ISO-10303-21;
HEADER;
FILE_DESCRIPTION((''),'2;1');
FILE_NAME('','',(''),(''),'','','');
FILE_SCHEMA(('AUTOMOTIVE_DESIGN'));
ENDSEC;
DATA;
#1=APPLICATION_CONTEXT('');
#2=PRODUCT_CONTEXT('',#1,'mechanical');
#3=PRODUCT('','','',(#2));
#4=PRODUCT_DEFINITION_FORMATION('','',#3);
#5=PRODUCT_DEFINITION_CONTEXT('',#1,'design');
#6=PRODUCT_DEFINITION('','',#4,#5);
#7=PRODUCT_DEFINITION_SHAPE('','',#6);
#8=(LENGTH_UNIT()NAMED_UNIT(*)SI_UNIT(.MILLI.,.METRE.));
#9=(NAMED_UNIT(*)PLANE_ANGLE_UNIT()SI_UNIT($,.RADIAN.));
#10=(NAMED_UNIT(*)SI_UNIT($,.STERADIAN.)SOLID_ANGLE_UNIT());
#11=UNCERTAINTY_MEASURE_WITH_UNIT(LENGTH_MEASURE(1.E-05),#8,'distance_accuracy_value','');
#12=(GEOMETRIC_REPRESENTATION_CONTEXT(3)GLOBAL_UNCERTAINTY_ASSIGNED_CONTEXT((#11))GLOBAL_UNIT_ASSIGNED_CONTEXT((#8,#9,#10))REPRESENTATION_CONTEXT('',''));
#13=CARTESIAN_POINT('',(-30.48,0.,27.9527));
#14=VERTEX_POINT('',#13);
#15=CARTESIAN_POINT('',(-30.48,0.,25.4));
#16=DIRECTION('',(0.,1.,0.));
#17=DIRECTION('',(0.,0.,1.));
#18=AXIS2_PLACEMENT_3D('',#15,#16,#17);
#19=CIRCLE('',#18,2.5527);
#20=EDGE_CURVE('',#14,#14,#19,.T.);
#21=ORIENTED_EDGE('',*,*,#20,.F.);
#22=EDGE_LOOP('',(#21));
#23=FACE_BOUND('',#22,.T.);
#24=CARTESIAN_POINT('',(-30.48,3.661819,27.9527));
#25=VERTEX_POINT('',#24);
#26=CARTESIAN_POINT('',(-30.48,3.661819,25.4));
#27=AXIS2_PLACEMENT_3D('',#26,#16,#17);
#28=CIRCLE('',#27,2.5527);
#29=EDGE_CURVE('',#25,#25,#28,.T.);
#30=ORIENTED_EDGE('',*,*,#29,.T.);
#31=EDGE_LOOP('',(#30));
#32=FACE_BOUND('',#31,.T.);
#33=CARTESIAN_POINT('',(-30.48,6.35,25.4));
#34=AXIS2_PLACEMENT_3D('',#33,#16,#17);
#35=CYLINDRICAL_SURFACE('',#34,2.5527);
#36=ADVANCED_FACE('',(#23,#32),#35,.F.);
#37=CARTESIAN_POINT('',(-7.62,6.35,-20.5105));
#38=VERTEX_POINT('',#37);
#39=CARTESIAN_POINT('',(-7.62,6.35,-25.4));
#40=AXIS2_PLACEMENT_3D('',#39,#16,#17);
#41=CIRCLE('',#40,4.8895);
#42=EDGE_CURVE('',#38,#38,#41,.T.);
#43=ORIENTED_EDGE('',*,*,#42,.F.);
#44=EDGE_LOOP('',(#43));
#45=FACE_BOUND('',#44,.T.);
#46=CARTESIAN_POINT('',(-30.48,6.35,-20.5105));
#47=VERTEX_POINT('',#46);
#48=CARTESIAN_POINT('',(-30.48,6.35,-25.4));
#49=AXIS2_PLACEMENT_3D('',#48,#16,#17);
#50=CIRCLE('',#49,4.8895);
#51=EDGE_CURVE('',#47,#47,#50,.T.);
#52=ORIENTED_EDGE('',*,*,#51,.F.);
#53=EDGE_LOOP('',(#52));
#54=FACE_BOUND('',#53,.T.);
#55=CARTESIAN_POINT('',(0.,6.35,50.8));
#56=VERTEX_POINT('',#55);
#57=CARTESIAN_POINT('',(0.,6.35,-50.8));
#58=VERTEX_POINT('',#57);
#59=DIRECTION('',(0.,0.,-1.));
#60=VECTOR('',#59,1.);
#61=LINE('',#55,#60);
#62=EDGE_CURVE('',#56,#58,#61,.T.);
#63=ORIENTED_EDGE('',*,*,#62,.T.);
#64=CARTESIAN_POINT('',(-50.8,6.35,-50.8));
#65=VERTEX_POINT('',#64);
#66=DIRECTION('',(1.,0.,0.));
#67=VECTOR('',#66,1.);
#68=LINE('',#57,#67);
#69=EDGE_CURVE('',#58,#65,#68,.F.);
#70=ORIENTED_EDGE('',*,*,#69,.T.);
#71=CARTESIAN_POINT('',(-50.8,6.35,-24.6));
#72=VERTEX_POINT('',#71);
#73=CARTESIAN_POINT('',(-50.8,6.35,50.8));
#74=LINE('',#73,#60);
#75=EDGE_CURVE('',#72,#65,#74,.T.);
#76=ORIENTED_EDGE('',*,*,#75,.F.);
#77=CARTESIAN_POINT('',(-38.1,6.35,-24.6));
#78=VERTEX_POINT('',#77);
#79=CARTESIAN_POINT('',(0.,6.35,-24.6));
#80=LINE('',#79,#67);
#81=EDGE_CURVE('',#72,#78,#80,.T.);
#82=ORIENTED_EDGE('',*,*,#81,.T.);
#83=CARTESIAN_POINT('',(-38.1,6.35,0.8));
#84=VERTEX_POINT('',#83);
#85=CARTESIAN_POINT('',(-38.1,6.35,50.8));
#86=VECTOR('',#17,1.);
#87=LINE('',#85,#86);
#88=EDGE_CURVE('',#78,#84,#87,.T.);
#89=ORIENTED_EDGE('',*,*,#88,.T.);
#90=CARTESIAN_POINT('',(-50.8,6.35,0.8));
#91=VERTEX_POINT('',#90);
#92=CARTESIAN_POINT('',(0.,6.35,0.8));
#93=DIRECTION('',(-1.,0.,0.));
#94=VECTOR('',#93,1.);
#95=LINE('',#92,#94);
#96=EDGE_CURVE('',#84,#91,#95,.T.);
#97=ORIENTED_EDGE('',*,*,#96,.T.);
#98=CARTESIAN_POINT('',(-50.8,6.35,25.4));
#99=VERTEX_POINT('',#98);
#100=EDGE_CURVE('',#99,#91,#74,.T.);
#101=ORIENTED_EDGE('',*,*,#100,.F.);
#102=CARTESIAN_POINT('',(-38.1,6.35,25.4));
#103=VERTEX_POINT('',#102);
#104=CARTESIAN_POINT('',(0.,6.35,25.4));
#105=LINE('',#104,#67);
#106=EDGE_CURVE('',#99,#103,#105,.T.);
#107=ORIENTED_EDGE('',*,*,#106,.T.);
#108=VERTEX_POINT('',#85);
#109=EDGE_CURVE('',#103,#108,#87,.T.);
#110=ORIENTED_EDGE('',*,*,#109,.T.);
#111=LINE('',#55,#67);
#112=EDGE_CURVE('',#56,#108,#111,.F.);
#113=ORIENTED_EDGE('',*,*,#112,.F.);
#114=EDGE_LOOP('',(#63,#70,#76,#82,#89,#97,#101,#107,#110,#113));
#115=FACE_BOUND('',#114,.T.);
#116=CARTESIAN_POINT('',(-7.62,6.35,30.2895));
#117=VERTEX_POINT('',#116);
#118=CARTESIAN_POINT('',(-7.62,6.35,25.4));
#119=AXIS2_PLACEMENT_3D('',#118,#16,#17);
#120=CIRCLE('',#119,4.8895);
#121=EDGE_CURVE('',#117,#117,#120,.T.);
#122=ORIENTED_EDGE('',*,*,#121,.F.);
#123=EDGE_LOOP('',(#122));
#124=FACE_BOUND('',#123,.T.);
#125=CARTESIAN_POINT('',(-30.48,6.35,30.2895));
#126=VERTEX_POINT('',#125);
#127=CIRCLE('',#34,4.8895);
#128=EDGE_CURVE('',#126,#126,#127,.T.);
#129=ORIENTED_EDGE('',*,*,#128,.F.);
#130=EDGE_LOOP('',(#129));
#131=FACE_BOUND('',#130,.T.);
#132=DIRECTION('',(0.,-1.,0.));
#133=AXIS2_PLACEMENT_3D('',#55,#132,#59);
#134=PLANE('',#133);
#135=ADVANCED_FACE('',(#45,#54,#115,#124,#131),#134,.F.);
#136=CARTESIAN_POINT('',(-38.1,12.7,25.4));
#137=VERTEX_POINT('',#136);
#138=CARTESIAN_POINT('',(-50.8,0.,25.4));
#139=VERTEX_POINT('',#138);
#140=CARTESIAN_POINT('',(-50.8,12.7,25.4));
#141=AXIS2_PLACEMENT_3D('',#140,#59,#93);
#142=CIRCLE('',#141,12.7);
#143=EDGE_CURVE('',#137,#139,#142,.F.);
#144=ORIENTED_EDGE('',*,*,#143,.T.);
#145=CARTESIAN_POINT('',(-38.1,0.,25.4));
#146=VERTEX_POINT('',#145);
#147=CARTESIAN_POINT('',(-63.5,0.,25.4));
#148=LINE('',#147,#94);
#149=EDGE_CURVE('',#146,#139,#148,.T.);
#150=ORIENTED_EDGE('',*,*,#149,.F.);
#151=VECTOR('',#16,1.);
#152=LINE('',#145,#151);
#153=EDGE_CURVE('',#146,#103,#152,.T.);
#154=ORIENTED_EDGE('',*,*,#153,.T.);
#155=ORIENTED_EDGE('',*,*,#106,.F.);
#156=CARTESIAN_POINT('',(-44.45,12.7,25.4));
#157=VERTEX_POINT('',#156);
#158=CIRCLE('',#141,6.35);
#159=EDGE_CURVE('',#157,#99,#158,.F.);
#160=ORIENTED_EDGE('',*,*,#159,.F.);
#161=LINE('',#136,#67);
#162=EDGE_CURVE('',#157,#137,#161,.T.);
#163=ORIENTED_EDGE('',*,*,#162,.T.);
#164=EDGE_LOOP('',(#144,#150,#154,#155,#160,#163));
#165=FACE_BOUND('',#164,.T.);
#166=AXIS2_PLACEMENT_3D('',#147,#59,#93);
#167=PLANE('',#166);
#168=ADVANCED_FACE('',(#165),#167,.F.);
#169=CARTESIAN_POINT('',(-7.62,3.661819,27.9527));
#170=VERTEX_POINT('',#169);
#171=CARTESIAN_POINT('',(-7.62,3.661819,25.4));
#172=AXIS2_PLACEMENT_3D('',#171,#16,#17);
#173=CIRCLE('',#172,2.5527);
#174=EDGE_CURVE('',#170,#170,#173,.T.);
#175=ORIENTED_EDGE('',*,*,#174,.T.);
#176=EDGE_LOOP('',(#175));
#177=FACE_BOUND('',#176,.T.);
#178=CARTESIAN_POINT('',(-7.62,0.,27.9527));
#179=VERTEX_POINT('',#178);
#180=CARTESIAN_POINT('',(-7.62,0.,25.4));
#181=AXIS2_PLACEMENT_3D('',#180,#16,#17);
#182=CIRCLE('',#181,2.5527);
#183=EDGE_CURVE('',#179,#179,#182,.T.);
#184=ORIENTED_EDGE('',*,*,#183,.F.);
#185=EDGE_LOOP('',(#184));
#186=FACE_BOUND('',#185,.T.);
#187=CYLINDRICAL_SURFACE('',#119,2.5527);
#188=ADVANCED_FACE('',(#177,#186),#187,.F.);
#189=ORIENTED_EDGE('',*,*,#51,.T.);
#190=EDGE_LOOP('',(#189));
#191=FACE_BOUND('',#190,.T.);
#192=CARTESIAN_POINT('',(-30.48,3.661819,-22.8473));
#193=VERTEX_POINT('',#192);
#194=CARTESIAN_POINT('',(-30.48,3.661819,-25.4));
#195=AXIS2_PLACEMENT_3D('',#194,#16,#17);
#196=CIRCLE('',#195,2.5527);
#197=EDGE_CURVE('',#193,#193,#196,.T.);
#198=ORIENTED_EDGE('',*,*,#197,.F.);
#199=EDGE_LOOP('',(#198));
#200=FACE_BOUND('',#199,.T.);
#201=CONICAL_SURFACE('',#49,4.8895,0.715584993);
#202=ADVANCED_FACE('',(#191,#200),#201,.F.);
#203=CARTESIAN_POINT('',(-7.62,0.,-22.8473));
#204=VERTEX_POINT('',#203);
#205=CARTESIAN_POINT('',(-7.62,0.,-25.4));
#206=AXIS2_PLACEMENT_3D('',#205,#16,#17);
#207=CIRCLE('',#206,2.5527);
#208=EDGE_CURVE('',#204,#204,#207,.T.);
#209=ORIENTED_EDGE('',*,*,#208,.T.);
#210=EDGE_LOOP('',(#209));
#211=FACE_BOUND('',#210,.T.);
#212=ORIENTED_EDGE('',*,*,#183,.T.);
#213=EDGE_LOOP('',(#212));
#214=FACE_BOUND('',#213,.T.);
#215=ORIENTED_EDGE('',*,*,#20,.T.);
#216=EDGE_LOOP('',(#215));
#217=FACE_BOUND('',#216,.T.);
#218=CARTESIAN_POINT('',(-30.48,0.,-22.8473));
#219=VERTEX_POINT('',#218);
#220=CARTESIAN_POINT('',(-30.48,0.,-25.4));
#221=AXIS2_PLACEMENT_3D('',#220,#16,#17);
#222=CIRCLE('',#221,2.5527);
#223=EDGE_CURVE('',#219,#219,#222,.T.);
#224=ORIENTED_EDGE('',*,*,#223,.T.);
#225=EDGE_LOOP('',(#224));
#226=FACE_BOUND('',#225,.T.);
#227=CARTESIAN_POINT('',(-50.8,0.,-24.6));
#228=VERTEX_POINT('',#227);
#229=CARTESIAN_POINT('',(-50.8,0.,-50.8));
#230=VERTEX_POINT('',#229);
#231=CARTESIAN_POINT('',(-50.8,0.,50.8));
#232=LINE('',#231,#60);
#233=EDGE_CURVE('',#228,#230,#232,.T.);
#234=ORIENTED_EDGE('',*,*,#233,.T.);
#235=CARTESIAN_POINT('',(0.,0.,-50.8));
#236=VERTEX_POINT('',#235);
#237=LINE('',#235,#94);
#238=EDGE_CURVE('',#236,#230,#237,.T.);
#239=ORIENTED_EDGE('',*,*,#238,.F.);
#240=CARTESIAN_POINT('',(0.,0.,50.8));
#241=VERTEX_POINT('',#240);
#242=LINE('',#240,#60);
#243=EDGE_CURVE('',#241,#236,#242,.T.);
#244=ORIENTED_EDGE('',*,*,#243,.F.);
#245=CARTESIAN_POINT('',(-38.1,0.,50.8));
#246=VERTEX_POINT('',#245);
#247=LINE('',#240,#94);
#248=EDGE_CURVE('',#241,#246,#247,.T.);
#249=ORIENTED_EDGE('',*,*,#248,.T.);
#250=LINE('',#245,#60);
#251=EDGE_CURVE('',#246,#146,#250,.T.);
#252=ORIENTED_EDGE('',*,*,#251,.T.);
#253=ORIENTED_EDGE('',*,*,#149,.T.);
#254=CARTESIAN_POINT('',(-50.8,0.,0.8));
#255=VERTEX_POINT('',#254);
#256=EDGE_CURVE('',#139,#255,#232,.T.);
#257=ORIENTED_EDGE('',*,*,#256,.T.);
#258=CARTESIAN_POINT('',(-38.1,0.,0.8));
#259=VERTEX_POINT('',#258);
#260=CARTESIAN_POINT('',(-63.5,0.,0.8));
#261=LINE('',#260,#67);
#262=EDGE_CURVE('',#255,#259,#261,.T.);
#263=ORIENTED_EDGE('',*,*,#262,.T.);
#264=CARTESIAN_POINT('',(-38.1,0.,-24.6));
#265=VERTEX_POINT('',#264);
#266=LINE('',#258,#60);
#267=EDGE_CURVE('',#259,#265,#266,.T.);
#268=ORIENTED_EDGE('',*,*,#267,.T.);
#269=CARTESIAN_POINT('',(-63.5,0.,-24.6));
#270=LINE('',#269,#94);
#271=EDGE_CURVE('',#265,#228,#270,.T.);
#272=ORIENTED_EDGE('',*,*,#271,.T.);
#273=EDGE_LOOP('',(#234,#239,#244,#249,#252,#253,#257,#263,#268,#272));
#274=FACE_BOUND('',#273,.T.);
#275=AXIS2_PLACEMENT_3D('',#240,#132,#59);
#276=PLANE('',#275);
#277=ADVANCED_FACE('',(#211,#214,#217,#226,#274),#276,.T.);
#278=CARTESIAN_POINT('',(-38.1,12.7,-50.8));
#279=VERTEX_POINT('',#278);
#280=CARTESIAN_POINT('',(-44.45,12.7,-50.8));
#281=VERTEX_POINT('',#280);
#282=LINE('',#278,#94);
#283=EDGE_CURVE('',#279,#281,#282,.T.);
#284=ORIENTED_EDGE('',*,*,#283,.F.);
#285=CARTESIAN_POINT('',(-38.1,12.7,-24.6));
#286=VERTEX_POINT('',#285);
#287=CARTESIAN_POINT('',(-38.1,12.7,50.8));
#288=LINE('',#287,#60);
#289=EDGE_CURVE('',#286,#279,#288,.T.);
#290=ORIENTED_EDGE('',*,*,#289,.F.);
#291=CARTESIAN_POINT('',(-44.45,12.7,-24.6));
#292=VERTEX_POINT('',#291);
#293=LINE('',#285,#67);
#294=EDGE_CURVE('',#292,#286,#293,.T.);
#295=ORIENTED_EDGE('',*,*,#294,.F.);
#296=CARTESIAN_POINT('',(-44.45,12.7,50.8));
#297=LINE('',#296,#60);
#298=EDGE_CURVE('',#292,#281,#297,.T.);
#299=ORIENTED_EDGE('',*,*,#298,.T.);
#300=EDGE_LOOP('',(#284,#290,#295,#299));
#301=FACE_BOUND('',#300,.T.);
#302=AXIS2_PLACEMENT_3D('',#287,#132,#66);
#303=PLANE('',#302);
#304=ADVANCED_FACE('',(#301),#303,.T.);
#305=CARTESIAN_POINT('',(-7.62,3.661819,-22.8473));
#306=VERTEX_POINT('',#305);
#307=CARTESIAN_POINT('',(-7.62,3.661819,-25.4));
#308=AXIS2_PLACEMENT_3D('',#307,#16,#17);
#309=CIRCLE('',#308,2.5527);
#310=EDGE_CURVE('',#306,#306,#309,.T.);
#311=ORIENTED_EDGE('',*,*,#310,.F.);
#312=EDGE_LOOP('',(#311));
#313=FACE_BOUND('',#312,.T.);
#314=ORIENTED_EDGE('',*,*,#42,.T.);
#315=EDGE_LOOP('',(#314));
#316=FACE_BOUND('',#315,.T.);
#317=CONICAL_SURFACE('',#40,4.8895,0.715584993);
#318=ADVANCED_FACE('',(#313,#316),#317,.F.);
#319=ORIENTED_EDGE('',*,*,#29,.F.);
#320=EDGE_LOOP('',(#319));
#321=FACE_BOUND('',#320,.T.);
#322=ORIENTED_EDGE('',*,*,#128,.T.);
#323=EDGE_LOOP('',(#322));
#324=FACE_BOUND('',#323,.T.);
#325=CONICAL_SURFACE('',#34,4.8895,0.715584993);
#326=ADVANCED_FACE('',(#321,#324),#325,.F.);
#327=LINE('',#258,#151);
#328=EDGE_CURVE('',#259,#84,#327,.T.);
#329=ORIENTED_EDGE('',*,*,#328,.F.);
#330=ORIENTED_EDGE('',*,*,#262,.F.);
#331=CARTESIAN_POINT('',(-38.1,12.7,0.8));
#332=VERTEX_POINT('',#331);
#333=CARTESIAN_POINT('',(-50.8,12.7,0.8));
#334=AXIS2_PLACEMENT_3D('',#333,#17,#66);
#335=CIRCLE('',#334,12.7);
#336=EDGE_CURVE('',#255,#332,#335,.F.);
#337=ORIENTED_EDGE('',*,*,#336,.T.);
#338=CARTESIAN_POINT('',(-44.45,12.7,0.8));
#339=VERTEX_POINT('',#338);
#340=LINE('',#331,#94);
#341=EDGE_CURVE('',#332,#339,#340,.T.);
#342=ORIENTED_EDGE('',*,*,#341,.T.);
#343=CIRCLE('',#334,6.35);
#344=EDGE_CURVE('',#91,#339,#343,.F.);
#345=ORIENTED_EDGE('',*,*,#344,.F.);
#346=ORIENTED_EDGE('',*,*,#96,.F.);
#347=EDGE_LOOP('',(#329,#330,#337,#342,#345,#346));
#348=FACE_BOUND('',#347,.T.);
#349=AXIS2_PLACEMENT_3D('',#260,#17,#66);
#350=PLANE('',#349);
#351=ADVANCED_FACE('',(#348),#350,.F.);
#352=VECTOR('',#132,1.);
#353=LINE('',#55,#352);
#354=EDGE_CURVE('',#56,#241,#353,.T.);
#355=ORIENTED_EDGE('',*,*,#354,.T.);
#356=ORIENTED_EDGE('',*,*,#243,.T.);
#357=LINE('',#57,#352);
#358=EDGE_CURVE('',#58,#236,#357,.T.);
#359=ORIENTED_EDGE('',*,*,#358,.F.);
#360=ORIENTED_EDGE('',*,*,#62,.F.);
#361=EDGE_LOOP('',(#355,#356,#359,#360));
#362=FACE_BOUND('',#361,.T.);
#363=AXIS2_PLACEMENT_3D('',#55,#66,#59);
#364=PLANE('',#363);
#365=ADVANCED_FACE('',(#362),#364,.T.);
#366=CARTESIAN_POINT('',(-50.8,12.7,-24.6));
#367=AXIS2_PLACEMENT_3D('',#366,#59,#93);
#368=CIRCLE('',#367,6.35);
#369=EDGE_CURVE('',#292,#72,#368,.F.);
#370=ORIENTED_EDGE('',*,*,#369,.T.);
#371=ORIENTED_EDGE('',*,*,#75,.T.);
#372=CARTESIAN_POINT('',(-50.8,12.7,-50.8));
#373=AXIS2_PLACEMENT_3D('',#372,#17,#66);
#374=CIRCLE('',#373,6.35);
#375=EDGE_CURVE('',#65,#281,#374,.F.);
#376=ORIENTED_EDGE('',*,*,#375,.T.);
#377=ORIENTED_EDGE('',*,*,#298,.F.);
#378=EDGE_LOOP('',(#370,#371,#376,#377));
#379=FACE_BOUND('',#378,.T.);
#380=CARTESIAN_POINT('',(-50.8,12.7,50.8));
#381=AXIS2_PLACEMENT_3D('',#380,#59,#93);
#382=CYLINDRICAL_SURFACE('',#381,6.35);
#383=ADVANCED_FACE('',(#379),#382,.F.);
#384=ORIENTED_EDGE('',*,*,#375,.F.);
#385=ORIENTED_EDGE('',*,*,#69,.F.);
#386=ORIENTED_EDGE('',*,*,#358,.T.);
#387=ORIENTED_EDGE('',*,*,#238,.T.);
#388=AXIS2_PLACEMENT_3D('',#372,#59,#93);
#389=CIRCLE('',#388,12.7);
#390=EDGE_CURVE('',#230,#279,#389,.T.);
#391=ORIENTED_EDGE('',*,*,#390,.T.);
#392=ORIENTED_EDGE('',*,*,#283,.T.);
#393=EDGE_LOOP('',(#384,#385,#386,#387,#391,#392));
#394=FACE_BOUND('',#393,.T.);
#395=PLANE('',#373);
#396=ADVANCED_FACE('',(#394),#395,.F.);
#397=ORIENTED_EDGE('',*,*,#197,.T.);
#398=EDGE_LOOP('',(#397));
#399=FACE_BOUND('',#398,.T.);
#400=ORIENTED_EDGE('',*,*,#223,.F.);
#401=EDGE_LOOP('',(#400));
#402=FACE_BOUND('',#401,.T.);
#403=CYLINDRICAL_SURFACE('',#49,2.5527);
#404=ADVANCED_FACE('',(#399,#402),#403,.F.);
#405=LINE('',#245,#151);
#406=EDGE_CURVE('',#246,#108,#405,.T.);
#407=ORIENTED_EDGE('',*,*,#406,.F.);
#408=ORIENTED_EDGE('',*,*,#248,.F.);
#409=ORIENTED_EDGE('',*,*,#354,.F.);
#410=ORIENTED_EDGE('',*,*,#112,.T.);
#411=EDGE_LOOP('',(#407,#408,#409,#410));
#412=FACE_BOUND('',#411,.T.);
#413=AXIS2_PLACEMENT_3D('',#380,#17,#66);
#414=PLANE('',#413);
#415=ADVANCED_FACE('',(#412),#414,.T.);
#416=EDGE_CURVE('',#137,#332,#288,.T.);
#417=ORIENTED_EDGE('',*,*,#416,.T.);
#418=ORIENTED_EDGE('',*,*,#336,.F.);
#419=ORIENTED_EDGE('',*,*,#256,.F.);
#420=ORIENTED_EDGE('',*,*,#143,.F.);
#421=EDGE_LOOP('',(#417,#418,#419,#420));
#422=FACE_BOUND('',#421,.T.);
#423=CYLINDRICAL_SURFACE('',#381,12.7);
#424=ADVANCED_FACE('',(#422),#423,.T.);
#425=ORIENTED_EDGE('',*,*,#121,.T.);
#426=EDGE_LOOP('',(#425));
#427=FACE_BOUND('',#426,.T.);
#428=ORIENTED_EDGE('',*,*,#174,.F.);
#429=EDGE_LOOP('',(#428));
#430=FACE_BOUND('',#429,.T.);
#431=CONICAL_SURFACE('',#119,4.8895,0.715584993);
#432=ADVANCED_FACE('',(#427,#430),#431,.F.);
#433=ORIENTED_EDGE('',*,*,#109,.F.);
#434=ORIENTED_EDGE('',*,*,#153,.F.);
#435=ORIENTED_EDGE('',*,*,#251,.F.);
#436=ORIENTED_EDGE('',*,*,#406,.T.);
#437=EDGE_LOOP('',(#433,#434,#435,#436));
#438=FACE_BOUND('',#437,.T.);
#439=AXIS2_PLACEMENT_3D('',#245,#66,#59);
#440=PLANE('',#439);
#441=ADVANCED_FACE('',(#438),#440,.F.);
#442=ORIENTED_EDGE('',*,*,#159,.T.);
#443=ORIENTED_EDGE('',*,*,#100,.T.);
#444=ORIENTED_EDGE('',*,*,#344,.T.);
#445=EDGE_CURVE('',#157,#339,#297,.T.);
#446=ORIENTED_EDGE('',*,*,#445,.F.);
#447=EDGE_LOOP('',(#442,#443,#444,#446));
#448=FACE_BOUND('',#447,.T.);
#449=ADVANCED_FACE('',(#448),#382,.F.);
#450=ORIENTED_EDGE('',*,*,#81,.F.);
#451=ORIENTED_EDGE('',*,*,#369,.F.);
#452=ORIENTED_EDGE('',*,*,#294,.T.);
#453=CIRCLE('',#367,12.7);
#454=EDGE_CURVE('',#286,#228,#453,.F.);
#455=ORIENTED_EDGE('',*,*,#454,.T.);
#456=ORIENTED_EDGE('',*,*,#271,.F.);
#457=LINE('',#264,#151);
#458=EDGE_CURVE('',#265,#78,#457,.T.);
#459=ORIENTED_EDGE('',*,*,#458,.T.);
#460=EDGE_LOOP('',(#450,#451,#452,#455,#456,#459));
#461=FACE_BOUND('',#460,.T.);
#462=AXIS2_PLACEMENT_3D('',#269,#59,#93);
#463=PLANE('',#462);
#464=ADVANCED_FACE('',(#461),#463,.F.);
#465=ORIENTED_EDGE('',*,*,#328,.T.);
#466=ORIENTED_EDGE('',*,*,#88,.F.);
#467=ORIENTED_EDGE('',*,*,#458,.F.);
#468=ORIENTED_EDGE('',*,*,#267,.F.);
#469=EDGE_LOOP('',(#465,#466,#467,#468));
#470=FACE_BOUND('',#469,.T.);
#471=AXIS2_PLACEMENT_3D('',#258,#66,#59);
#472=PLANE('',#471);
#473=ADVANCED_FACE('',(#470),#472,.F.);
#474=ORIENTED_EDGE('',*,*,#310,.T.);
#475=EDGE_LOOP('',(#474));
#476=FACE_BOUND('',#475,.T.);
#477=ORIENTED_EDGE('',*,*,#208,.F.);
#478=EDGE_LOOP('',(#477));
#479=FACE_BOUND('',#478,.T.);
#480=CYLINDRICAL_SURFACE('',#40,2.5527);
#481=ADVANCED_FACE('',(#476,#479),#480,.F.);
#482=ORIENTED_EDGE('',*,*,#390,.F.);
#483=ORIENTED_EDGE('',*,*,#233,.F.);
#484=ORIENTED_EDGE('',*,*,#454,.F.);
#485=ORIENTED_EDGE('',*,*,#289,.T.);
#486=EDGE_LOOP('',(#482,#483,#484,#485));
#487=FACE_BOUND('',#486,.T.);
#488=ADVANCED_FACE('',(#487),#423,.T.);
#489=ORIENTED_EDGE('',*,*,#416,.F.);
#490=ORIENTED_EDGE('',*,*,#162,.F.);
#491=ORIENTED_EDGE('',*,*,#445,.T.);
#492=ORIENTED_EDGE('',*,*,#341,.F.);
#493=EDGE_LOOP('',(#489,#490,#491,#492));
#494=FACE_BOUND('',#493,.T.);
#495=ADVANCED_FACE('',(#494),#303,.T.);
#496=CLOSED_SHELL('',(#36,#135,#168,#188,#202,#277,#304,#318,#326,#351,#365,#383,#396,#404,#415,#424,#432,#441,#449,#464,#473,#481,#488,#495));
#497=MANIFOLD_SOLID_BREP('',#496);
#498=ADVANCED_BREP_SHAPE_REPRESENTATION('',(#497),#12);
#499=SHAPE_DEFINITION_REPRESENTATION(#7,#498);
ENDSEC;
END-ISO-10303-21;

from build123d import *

# Parameters (mm, degrees)
EXTRUDE_THIN1_DEPTH                             = 50.8
CUT_EXTRUDE2_START                              = -7.35
SKETCH3_W                                       = 25.4
SKETCH3_H                                       = 25.4
CUT_EXTRUDE2_DEPTH                              = 27.4
LPATTERN1_COUNT                                 = 2
LPATTERN1_PITCH                                 = 50
CSK_FOR_10_FLAT_HEAD_MACHINE_SCREW1_D           = 5.1054
CSK_FOR_10_FLAT_HEAD_MACHINE_SCREW1_CSINK_D     = 9.779
CSK_FOR_10_FLAT_HEAD_MACHINE_SCREW1_CSINK_ANGLE = 82
LPATTERN2_COUNT                                 = 2
LPATTERN2_PITCH                                 = 50.8
LPATTERN2_COUNT_DIR2                            = 2
LPATTERN2_PITCH_DIR2                            = 22.86


with BuildPart() as part:
    # Sketch1 → Extrude-Thin1 (new body, symmetric)
    with BuildSketch(Plane.XY):
        with BuildLine():
            Line((0, 0), (-50.8, 0))
            ThreePointArc((-50.8, 0), (-59.780256121, 21.680256121), (-38.1, 12.7))
            Line((-38.1, 12.7), (-44.45, 12.7))
            ThreePointArc((-44.45, 12.7), (-55.290128061, 17.190128061), (-50.8, 6.35))
            Line((-50.8, 6.35), (0, 6.35))
            Line((0, 6.35), (0, 0))
        make_face()
    extrude(amount=EXTRUDE_THIN1_DEPTH, both=True)

    # Sketch3 → Cut-Extrude2 (cut)
    with BuildSketch(Plane(origin=(0, 6.35, 0), x_dir=(1, 0, 0), z_dir=(0, 1, 0)).offset(CUT_EXTRUDE2_START)):
        with Locations((-50.8, -38.1)):
            Rectangle(SKETCH3_W, SKETCH3_H)
    cut_extrude2 = extrude(amount=CUT_EXTRUDE2_DEPTH, mode=Mode.SUBTRACT)

    # LPattern1: Cut-Extrude2 ×2
    with Locations(*[(0, 0, -i * LPATTERN1_PITCH) for i in range(1, LPATTERN1_COUNT)]):
        add(cut_extrude2, mode=Mode.SUBTRACT)

    # CSK for #10 Flat Head Machine Screw1 (through all)
    with Locations(Plane(origin=(0, 6.35, 0), x_dir=(1, 0, 0), z_dir=(0, 1, 0))):
        with Locations((-30.48, 25.4)):
            csk_for_10_flat_head_machine_screw1 = CounterSinkHole(CSK_FOR_10_FLAT_HEAD_MACHINE_SCREW1_D / 2, CSK_FOR_10_FLAT_HEAD_MACHINE_SCREW1_CSINK_D / 2, counter_sink_angle=CSK_FOR_10_FLAT_HEAD_MACHINE_SCREW1_CSINK_ANGLE)

    # LPattern2: CSK for _10 Flat Head Machine Screw1 2 × 2
    with Locations(*[(j * LPATTERN2_PITCH_DIR2, 0, i * LPATTERN2_PITCH) for i in range(LPATTERN2_COUNT) for j in range(LPATTERN2_COUNT_DIR2) if (i, j) != (0, 0)]):
        add(csk_for_10_flat_head_machine_screw1, mode=Mode.SUBTRACT)


solid = part.part
